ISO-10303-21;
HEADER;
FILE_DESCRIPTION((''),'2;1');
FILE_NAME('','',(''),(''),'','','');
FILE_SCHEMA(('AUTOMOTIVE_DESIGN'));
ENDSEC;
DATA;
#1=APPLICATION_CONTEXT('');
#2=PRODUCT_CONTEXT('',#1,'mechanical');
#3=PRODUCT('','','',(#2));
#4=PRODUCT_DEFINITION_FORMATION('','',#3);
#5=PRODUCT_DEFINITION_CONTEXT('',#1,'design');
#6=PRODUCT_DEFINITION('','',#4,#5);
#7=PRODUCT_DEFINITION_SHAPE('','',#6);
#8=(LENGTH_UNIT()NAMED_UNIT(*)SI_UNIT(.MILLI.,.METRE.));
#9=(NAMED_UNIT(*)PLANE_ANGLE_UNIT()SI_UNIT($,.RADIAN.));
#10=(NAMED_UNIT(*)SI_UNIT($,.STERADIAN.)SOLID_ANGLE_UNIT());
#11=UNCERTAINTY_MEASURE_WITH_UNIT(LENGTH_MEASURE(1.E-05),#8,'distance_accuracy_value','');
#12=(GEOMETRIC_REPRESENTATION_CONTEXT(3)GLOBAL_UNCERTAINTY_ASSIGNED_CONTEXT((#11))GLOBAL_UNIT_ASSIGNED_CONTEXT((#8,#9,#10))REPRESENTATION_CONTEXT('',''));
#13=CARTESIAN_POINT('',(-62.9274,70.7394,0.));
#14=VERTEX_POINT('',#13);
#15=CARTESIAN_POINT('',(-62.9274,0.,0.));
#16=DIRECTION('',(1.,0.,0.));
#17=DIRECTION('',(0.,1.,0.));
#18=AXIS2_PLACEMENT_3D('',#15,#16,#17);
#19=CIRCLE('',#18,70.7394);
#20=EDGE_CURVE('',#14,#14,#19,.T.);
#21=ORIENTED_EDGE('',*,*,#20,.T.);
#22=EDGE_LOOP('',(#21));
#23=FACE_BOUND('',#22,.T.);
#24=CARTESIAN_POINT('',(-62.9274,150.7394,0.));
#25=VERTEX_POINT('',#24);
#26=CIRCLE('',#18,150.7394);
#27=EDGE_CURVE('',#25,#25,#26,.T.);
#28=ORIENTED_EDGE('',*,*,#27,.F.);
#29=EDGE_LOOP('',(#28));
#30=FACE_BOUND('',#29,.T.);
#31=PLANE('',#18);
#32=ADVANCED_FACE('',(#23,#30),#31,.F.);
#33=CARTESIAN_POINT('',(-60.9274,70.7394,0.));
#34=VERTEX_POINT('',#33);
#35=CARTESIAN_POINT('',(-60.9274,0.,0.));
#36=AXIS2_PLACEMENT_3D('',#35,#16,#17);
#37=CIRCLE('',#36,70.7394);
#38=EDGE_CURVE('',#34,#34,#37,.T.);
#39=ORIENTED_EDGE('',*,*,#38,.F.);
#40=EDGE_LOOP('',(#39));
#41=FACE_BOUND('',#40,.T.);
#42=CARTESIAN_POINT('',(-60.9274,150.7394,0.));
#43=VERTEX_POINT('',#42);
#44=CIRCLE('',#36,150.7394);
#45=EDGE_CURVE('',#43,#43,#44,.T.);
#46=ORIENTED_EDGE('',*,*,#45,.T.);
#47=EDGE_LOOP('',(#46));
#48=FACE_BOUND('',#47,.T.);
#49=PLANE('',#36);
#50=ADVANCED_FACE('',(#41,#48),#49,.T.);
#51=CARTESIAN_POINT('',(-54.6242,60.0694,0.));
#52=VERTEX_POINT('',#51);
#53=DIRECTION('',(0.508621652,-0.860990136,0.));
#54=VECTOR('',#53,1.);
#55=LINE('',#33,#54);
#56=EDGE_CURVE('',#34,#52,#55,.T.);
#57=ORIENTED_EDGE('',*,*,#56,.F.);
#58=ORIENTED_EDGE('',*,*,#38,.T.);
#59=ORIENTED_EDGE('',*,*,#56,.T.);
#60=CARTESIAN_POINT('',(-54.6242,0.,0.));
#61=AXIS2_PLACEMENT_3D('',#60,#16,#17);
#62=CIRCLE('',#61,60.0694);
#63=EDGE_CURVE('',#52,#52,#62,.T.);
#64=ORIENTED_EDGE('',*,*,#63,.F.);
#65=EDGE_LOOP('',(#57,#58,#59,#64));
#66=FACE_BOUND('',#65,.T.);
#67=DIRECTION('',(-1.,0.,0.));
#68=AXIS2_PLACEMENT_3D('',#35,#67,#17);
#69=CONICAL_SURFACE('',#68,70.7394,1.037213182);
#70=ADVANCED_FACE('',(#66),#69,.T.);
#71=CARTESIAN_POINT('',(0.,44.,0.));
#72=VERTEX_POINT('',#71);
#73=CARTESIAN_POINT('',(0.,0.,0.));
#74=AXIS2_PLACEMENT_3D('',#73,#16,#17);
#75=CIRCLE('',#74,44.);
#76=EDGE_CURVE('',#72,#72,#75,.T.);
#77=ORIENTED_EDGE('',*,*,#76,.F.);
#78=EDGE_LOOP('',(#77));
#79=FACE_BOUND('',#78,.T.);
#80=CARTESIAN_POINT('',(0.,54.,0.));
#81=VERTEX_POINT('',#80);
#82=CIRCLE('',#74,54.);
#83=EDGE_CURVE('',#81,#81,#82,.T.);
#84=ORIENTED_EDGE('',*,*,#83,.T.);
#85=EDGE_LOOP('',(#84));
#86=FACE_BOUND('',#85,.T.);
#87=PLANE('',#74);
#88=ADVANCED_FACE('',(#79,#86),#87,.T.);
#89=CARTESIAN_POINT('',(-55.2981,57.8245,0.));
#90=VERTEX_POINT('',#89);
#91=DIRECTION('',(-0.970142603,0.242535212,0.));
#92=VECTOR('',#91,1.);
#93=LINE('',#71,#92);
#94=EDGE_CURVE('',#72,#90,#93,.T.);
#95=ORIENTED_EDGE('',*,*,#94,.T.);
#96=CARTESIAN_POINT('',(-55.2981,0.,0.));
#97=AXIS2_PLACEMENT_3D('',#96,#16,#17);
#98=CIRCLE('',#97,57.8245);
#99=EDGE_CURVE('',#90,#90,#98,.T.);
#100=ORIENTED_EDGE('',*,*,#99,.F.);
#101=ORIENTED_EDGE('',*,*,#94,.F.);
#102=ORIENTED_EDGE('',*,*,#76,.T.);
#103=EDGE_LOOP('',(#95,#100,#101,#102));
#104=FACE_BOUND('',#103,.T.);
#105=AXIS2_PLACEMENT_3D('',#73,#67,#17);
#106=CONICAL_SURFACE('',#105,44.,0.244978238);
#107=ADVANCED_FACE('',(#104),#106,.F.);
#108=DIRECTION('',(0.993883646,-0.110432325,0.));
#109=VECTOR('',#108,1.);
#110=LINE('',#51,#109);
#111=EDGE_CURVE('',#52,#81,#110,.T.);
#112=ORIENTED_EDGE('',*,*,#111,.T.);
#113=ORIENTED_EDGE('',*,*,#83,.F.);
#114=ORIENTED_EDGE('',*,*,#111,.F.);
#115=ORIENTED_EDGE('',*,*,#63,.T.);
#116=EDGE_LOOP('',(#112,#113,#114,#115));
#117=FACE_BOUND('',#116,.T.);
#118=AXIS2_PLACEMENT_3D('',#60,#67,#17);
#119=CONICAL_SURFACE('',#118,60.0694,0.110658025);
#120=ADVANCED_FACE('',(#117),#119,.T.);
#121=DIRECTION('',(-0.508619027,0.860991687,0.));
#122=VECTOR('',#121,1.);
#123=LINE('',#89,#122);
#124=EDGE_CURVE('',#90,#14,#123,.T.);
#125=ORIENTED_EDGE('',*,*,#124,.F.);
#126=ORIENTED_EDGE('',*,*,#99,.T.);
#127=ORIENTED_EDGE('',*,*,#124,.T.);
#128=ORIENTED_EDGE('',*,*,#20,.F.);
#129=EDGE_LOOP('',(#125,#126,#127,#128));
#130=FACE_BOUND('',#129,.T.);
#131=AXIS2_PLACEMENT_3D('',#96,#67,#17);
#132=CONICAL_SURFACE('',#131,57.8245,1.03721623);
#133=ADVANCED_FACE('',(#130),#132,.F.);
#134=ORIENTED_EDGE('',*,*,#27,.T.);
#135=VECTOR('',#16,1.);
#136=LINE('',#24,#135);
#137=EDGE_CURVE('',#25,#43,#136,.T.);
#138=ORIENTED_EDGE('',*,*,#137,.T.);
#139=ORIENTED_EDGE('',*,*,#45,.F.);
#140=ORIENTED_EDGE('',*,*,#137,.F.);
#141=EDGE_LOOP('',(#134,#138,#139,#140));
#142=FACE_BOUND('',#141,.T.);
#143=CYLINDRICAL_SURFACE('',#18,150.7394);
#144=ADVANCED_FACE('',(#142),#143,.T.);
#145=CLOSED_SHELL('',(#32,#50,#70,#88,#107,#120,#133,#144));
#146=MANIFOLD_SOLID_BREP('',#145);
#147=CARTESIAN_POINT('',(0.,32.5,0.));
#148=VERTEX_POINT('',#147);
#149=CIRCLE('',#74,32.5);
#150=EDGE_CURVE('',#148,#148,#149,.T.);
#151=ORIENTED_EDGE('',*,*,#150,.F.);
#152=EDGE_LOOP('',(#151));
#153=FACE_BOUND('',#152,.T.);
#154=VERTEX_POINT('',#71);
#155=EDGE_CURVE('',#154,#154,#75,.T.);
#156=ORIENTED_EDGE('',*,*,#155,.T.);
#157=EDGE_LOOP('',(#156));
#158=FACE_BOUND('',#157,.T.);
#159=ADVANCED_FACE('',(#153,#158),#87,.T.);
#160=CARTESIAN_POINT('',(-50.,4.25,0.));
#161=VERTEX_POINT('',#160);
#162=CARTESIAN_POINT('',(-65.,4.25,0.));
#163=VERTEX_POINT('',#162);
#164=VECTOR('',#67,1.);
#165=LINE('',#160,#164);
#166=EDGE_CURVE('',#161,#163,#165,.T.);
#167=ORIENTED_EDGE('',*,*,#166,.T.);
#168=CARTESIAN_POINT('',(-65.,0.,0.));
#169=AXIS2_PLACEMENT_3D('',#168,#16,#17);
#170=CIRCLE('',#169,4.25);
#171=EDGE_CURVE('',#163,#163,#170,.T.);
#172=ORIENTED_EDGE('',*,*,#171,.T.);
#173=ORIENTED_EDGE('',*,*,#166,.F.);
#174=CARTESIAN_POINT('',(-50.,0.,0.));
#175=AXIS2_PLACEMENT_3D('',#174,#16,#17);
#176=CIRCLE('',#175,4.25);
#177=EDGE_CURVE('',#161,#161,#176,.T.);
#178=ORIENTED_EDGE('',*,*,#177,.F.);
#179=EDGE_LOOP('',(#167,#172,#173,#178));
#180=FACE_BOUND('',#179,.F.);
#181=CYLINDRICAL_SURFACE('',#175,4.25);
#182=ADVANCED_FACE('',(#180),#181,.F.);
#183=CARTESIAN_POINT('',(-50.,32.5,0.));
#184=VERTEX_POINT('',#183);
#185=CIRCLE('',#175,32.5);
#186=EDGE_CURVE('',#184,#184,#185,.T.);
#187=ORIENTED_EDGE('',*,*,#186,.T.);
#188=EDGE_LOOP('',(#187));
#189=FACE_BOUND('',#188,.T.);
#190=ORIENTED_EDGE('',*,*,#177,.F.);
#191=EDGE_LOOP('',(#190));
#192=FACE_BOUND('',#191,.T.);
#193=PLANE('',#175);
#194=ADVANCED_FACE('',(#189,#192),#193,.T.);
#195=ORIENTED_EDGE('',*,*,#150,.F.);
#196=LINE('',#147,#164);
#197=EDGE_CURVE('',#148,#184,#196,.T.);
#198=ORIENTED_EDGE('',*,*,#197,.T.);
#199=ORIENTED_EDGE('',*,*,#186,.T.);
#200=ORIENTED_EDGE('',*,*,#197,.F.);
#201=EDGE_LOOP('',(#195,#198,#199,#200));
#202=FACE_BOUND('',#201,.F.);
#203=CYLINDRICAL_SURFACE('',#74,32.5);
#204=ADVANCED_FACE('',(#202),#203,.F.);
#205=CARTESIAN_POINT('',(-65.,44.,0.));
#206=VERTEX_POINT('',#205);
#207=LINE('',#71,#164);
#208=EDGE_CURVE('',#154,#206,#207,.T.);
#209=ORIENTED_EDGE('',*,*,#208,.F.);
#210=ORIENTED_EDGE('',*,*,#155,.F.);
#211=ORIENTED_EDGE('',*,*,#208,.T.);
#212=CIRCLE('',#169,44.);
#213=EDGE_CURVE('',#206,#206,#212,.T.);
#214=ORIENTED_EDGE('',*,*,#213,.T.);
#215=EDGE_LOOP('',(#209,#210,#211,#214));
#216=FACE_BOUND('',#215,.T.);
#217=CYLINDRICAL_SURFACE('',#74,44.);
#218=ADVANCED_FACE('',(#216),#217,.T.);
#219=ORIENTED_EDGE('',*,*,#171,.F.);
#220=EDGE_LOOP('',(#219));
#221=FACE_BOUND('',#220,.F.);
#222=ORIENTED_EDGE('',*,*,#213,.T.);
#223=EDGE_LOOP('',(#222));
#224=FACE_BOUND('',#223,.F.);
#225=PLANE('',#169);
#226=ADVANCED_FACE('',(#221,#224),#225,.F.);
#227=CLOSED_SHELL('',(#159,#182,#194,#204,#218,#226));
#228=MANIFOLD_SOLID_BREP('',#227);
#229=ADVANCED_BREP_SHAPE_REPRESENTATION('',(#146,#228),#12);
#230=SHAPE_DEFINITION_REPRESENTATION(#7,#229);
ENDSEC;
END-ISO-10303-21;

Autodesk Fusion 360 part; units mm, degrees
sketch "Boceto1" plane through (0, 0, 0) normal (0, 0, 1) x (1, 0, 0)
  line L0 (0, 44) -> (-55.2981, 57.8245)
  line L1 (-55.2981, 57.8245) -> (-62.9274, 70.7394)
  line L2 (-60.9274, 70.7394) -> (-54.6242, 60.0694)
  line L3 (-54.6242, 60.0694) -> (0, 54)
  line L4 (0, 54) -> (0, 44)
  line L5 (-62.9274, 70.7394) -> (-62.9274, 150.7394)
  line L6 (-62.9274, 150.7394) -> (-60.9274, 150.7394)
  line L7 (-60.9274, 150.7394) -> (-60.9274, 70.7394)
  dimension "d37" = 57
  dimension "d38" = 15
  dimension "d40" = 54.6242
  dimension "d43" = 80
  dimension "d44" = 2
revolve "Revolución1" add sketch "Boceto1" angle 360 about axis through (1.75, 0, 0) along (1, 0, 0) makes body 1
sketch "Boceto5" plane through (0, 0, 0) normal (1, 0, 0) x (0, 1, 0)
  circle A0 centre (0, 0) radius 44
  dimension "d46" = 88
extrude "Extruir1" add sketch "Boceto5" against normal blind 15 separate body makes body 2
extrude "Extruir2" add 1 faces at (-15, 11.6304, -6.1249) along direction (-1, 0, 0) blind 50 on bodies 2 bodies 2
combine "Combinar1" operation add target body 2 tool bodies 1
sketch "Boceto6" plane through (0, 0, 0) normal (1, 0, 0) x (0, 1, 0)
  circle A0 centre (0, 0) radius 32.5
  dimension "d51" = 65
extrude "Extruir3" cut sketch "Boceto6" against normal blind 50 bodies 2
sketch "Boceto7" plane through (-50, 0, 0) normal (1, 0, 0) x (0, 1, 0)
  circle A0 centre (0, 0) radius 32.5
  circle A1 centre (0, 0) radius 4.25
  dimension "d54" = 8.5
extrude "Extruir4" cut sketch "Boceto7" against normal blind 15 contours A1 bodies 2
